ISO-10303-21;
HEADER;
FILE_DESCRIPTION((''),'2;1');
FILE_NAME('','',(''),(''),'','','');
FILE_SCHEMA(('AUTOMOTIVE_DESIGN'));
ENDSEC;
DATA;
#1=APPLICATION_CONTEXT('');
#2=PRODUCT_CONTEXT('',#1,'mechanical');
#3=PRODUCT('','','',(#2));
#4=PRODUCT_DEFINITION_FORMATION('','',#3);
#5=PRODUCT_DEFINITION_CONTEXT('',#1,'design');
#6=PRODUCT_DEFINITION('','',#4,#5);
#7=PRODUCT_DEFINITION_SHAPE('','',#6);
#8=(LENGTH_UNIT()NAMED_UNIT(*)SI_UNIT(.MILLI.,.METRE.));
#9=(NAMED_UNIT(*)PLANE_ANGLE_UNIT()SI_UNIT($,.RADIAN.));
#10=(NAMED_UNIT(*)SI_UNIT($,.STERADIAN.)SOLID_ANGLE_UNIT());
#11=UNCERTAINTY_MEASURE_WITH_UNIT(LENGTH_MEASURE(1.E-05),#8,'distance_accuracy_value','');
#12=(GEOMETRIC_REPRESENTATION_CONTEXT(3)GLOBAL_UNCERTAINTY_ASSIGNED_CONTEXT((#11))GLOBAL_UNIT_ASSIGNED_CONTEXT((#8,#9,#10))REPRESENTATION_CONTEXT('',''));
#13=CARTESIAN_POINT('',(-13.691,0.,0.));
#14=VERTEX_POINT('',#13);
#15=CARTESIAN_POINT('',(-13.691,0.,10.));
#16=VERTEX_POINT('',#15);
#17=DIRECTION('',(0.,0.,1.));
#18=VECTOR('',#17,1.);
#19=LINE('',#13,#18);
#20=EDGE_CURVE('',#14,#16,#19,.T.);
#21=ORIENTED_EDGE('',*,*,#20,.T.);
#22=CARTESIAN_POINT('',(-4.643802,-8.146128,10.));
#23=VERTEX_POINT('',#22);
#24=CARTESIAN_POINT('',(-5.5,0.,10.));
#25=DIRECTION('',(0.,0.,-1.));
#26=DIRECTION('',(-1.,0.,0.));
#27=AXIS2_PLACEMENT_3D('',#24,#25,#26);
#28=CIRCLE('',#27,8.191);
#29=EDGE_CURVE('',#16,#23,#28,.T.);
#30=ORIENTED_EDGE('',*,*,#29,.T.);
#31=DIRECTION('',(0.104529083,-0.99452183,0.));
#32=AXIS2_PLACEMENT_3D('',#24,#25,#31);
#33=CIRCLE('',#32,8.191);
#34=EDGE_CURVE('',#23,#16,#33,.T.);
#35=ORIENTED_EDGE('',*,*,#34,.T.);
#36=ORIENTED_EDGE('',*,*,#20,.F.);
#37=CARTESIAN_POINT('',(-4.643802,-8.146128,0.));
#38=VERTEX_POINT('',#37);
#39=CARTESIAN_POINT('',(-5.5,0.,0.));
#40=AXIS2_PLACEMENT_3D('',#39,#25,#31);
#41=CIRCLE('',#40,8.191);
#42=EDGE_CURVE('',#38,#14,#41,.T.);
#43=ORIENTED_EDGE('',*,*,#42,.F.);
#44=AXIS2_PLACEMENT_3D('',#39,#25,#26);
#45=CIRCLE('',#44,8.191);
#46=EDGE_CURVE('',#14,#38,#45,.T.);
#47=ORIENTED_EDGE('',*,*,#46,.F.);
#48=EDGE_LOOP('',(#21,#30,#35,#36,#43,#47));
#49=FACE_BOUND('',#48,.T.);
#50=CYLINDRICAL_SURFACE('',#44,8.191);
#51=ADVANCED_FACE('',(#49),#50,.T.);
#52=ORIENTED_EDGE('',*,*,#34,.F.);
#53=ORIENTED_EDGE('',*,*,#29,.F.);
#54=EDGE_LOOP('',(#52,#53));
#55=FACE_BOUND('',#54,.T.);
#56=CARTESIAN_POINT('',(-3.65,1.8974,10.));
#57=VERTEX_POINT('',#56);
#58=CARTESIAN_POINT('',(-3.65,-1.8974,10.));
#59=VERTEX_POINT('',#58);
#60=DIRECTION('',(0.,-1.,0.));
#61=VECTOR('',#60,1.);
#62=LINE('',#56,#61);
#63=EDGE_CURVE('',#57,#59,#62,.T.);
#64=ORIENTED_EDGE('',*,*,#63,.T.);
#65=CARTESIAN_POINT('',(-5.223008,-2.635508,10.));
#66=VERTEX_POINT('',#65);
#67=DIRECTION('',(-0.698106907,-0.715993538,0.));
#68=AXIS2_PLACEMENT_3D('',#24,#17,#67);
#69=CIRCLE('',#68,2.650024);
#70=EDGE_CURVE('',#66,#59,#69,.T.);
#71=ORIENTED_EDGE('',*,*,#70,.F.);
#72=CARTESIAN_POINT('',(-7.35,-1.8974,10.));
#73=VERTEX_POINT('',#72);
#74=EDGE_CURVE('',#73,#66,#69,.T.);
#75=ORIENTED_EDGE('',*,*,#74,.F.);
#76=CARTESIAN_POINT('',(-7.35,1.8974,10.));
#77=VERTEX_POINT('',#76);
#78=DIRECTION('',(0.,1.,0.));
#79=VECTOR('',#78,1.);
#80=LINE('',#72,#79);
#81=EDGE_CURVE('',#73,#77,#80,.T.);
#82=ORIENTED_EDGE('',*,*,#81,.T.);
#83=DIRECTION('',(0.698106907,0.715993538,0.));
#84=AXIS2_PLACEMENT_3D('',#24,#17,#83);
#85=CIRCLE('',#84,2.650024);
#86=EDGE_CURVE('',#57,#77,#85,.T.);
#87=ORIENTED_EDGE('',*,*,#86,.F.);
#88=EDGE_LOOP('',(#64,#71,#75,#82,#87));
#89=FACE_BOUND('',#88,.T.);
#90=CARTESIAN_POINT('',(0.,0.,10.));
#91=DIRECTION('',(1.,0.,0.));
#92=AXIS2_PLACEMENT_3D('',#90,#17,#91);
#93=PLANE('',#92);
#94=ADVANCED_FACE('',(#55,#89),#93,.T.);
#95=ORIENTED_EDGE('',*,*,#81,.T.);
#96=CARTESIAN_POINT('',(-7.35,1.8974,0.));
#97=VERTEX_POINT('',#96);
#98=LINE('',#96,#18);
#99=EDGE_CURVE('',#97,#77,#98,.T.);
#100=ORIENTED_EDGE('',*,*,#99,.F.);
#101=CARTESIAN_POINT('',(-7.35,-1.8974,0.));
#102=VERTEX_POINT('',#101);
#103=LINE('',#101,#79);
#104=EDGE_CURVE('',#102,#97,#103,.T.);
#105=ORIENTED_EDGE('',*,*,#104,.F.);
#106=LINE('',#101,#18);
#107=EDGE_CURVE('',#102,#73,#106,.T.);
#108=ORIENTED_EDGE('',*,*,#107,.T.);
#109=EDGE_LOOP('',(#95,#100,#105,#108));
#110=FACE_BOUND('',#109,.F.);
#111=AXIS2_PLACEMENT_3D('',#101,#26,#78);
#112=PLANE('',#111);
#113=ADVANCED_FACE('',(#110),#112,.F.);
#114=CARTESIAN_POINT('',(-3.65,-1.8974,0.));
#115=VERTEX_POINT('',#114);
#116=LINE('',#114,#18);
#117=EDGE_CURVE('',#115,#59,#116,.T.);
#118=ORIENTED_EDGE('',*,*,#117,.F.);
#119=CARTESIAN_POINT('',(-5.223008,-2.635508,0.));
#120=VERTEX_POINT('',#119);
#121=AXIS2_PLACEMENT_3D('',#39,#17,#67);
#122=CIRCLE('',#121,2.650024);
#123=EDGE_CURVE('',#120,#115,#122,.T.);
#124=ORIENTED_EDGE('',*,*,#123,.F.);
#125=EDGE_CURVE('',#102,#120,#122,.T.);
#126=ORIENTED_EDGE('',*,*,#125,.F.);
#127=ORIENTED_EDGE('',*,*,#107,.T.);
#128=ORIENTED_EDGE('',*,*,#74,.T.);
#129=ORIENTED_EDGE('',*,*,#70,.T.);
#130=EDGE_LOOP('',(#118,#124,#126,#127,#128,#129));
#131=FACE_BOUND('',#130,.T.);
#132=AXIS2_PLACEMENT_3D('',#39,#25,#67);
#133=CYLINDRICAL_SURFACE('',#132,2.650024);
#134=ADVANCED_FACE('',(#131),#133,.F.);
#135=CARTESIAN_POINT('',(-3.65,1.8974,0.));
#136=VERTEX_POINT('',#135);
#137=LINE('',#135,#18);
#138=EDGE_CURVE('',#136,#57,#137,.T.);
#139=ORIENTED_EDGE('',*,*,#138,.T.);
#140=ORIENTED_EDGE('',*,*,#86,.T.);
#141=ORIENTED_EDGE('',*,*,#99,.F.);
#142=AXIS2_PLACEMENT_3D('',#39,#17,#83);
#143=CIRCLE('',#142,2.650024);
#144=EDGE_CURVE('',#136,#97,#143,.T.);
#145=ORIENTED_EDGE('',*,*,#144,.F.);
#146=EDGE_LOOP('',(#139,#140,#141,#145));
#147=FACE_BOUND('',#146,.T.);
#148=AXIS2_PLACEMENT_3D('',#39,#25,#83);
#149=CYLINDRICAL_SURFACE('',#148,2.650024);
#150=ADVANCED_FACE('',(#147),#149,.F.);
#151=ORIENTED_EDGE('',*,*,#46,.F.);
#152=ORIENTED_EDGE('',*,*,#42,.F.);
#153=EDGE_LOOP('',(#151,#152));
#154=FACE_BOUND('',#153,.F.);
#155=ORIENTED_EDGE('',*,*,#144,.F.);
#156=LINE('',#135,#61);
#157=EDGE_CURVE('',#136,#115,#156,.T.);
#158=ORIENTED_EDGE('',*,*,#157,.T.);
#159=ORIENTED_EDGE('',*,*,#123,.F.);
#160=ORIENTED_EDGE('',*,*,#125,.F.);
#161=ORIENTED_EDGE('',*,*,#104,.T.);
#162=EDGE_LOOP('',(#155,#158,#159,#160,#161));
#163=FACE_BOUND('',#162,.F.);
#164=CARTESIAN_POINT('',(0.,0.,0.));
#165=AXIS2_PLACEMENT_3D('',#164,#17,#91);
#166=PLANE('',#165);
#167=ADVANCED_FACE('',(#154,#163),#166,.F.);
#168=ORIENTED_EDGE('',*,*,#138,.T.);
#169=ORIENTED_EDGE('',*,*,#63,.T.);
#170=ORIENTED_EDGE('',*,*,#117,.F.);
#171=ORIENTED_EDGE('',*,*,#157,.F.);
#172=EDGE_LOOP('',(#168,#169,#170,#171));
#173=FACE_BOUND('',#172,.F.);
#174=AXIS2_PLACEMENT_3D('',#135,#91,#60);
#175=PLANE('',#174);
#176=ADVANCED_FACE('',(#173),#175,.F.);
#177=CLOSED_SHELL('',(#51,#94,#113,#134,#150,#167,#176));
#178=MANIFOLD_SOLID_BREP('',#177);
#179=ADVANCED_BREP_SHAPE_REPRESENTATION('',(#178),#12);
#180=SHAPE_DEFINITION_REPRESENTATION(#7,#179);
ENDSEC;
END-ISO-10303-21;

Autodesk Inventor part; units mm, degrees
ref_plane "YZ Plane" through (0, 0, 0) normal (1, 0, 0) x (0, 1, 0)
ref_plane "XZ Plane" through (0, 0, 0) normal (0, 1, 0) x (-1, 0, 0)
ref_plane "XY Plane" through (0, 0, 0) normal (0, 0, 1) x (1, 0, 0)
sketch "Sketch1" plane through (0, 0, 0) normal (0, 0, 1) x (1, 0, 0)
  line L0 (0.2752, -3.536) -> (0.7321, -4.3005) projected
  arc A0 (0.5159, -4.5981) -> (0.7321, -4.3005) centre (0.5604, -4.4031) ccw projected
  line L1 (0.5159, -4.5981) -> (-0.3524, -4.3999) projected
  arc A1 (-0.3524, -4.3999) -> (-0.5862, -4.6595) centre (-0.3969, -4.5949) ccw projected
  line L2 (-0.5862, -4.6595) -> (-0.2983, -5.5023) projected
  arc A2 (-0.5716, -5.7484) -> (-0.2983, -5.5023) centre (-0.4875, -5.5669) ccw projected
  line L3 (-0.5716, -5.7484) -> (-1.3796, -5.374) projected
  arc A3 (-1.3796, -5.374) -> (-1.6623, -5.5793) centre (-1.4637, -5.5554) ccw projected
  line L4 (-1.6623, -5.5793) -> (-1.5559, -6.4635) projected
  arc A4 (-1.8745, -6.6475) -> (-1.5559, -6.4635) centre (-1.7545, -6.4874) ccw projected
  line L5 (-1.8745, -6.6475) -> (-2.587, -6.1132) projected
  arc A5 (-2.587, -6.1132) -> (-2.9062, -6.2553) centre (-2.707, -6.2732) ccw projected
  line L6 (-2.9062, -6.2553) -> (-2.9859, -7.1423) projected
  arc A6 (-3.3358, -7.256) -> (-2.9859, -7.1423) centre (-3.1851, -7.1244) ccw projected
  line L7 (-3.3358, -7.256) -> (-3.9217, -6.5853) projected
  arc A7 (-3.9217, -6.5853) -> (-4.2634, -6.6579) centre (-4.0723, -6.7169) ccw projected
  line L8 (-4.2634, -6.6579) -> (-4.5259, -7.5089) projected
  arc A8 (-4.8917, -7.5474) -> (-4.5259, -7.5089) centre (-4.717, -7.45) ccw projected
  line L9 (-4.8917, -7.5474) -> (-5.3253, -6.7695) projected
  arc A9 (-5.3253, -6.7695) -> (-5.6747, -6.7695) centre (-5.5, -6.8669) ccw projected
  line L10 (-5.6747, -6.7695) -> (-6.1083, -7.5474) projected
  arc A10 (-6.4741, -7.5089) -> (-6.1083, -7.5474) centre (-6.283, -7.45) ccw projected
  line L11 (-6.4741, -7.5089) -> (-6.7366, -6.6579) projected
  arc A11 (-6.7366, -6.6579) -> (-7.0783, -6.5853) centre (-6.9277, -6.7169) ccw projected
  line L12 (-7.0783, -6.5853) -> (-7.6642, -7.256) projected
  arc A12 (-8.0141, -7.1423) -> (-7.6642, -7.256) centre (-7.8149, -7.1244) ccw projected
  line L13 (-8.0141, -7.1423) -> (-8.0938, -6.2553) projected
  arc A13 (-8.0938, -6.2553) -> (-8.413, -6.1132) centre (-8.293, -6.2732) ccw projected
  line L14 (-8.413, -6.1132) -> (-9.1255, -6.6475) projected
  arc A14 (-9.4441, -6.4635) -> (-9.1255, -6.6475) centre (-9.2455, -6.4874) ccw projected
  line L15 (-9.4441, -6.4635) -> (-9.3377, -5.5793) projected
  arc A15 (-9.3377, -5.5793) -> (-9.6204, -5.374) centre (-9.5363, -5.5554) ccw projected
  line L16 (-9.6204, -5.374) -> (-10.4284, -5.7484) projected
  arc A16 (-10.7017, -5.5023) -> (-10.4284, -5.7484) centre (-10.5125, -5.5669) ccw projected
  line L17 (-10.7017, -5.5023) -> (-10.4138, -4.6595) projected
  arc A17 (-10.4138, -4.6595) -> (-10.6476, -4.3999) centre (-10.6031, -4.5949) ccw projected
  line L18 (-10.6476, -4.3999) -> (-11.5159, -4.5981) projected
  arc A18 (-11.7321, -4.3005) -> (-11.5159, -4.5981) centre (-11.5604, -4.4031) ccw projected
  line L19 (-11.7321, -4.3005) -> (-11.2752, -3.536) projected
  arc A19 (-11.2752, -3.536) -> (-11.4499, -3.2335) centre (-11.4469, -3.4335) ccw projected
  line L20 (-11.4499, -3.2335) -> (-12.3404, -3.2469) projected
  arc A20 (-12.49, -2.9108) -> (-12.3404, -3.2469) centre (-12.3434, -3.0469) ccw projected
  line L21 (-12.49, -2.9108) -> (-11.8842, -2.258) projected
  arc A21 (-11.8842, -2.258) -> (-11.9922, -1.9258) centre (-12.0308, -2.122) ccw projected
  line L22 (-11.9922, -1.9258) -> (-12.866, -1.7537) projected
  arc A22 (-12.9425, -1.3939) -> (-12.866, -1.7537) centre (-12.8273, -1.5575) ccw projected
  line L23 (-12.9425, -1.3939) -> (-12.2142, -0.8813) projected
  arc A23 (-12.2142, -0.8813) -> (-12.2507, -0.5339) centre (-12.3293, -0.7178) ccw projected
  line L24 (-12.2507, -0.5339) -> (-13.0696, -0.1839) projected
  arc A24 (-13.0696, 0.1839) -> (-13.0696, -0.1839) centre (-12.991, 0) ccw projected
  line L25 (-13.0696, 0.1839) -> (-12.2507, 0.5339) projected
  arc A25 (-12.2507, 0.5339) -> (-12.2142, 0.8813) centre (-12.3293, 0.7178) ccw projected
  line L26 (-12.2142, 0.8813) -> (-12.9425, 1.3939) projected
  arc A26 (-12.866, 1.7537) -> (-12.9425, 1.3939) centre (-12.8273, 1.5575) ccw projected
  line L27 (-12.866, 1.7537) -> (-11.9922, 1.9258) projected
  arc A27 (-11.9922, 1.9258) -> (-11.8842, 2.258) centre (-12.0308, 2.122) ccw projected
  line L28 (-11.8842, 2.258) -> (-12.49, 2.9108) projected
  arc A28 (-12.3404, 3.2469) -> (-12.49, 2.9108) centre (-12.3434, 3.0469) ccw projected
  line L29 (-12.3404, 3.2469) -> (-11.4499, 3.2335) projected
  arc A29 (-11.4499, 3.2335) -> (-11.2752, 3.536) centre (-11.4469, 3.4335) ccw projected
  line L30 (-11.2752, 3.536) -> (-11.7321, 4.3005) projected
  arc A30 (-11.5159, 4.5981) -> (-11.7321, 4.3005) centre (-11.5604, 4.4031) ccw projected
  line L31 (-11.5159, 4.5981) -> (-10.6476, 4.3999) projected
  arc A31 (-10.6476, 4.3999) -> (-10.4138, 4.6595) centre (-10.6031, 4.5949) ccw projected
  line L32 (-10.4138, 4.6595) -> (-10.7017, 5.5023) projected
  arc A32 (-10.4284, 5.7484) -> (-10.7017, 5.5023) centre (-10.5125, 5.5669) ccw projected
  line L33 (-10.4284, 5.7484) -> (-9.6204, 5.374) projected
  arc A33 (-9.6204, 5.374) -> (-9.3377, 5.5793) centre (-9.5363, 5.5554) ccw projected
  line L34 (-9.3377, 5.5793) -> (-9.4441, 6.4635) projected
  arc A34 (-9.1255, 6.6475) -> (-9.4441, 6.4635) centre (-9.2455, 6.4874) ccw projected
  line L35 (-9.1255, 6.6475) -> (-8.413, 6.1132) projected
  arc A35 (-8.413, 6.1132) -> (-8.0938, 6.2553) centre (-8.293, 6.2732) ccw projected
  line L36 (-8.0938, 6.2553) -> (-8.0141, 7.1423) projected
  arc A36 (-7.6642, 7.256) -> (-8.0141, 7.1423) centre (-7.8149, 7.1244) ccw projected
  line L37 (-7.6642, 7.256) -> (-7.0783, 6.5853) projected
  arc A37 (-7.0783, 6.5853) -> (-6.7366, 6.6579) centre (-6.9277, 6.7169) ccw projected
  line L38 (-6.7366, 6.6579) -> (-6.4741, 7.5089) projected
  arc A38 (-6.1083, 7.5474) -> (-6.4741, 7.5089) centre (-6.283, 7.45) ccw projected
  line L39 (-6.1083, 7.5474) -> (-5.6747, 6.7695) projected
  arc A39 (-5.6747, 6.7695) -> (-5.3253, 6.7695) centre (-5.5, 6.8669) ccw projected
  line L40 (-5.3253, 6.7695) -> (-4.8917, 7.5474) projected
  arc A40 (-4.5259, 7.5089) -> (-4.8917, 7.5474) centre (-4.717, 7.45) ccw projected
  line L41 (-4.5259, 7.5089) -> (-4.2634, 6.6579) projected
  arc A41 (-4.2634, 6.6579) -> (-3.9217, 6.5853) centre (-4.0723, 6.7169) ccw projected
  line L42 (-3.9217, 6.5853) -> (-3.3358, 7.256) projected
  arc A42 (-2.9859, 7.1423) -> (-3.3358, 7.256) centre (-3.1851, 7.1244) ccw projected
  line L43 (-2.9859, 7.1423) -> (-2.9062, 6.2553) projected
  arc A43 (-2.9062, 6.2553) -> (-2.587, 6.1132) centre (-2.707, 6.2732) ccw projected
  line L44 (-2.587, 6.1132) -> (-1.8745, 6.6475) projected
  arc A44 (-1.5559, 6.4635) -> (-1.8745, 6.6475) centre (-1.7545, 6.4874) ccw projected
  line L45 (-1.5559, 6.4635) -> (-1.6623, 5.5793) projected
  arc A45 (-1.6623, 5.5793) -> (-1.3796, 5.374) centre (-1.4637, 5.5554) ccw projected
  line L46 (-1.3796, 5.374) -> (-0.5716, 5.7484) projected
  arc A46 (-0.2983, 5.5023) -> (-0.5716, 5.7484) centre (-0.4875, 5.5669) ccw projected
  line L47 (-0.2983, 5.5023) -> (-0.5862, 4.6595) projected
  arc A47 (-0.5862, 4.6595) -> (-0.3524, 4.3999) centre (-0.3969, 4.5949) ccw projected
  line L48 (-0.3524, 4.3999) -> (0.5159, 4.5981) projected
  arc A48 (0.7321, 4.3005) -> (0.5159, 4.5981) centre (0.5604, 4.4031) ccw projected
  line L49 (0.7321, 4.3005) -> (0.2752, 3.536) projected
  arc A49 (0.2752, 3.536) -> (0.4499, 3.2335) centre (0.4469, 3.4335) ccw projected
  line L50 (0.4499, 3.2335) -> (1.3404, 3.2469) projected
  arc A50 (1.49, 2.9108) -> (1.3404, 3.2469) centre (1.3434, 3.0469) ccw projected
  line L51 (1.49, 2.9108) -> (0.8842, 2.258) projected
  arc A51 (0.8842, 2.258) -> (0.9922, 1.9258) centre (1.0308, 2.122) ccw projected
  line L52 (0.9922, 1.9258) -> (1.866, 1.7537) projected
  arc A52 (1.9425, 1.3939) -> (1.866, 1.7537) centre (1.8273, 1.5575) ccw projected
  line L53 (1.9425, 1.3939) -> (1.2142, 0.8813) projected
  arc A53 (1.2142, 0.8813) -> (1.2507, 0.5339) centre (1.3293, 0.7178) ccw projected
  line L54 (1.2507, 0.5339) -> (2.0696, 0.1839) projected
  arc A54 (2.0696, -0.1839) -> (2.0696, 0.1839) centre (1.991, 0) ccw projected
  line L55 (2.0696, -0.1839) -> (1.2507, -0.5339) projected
  arc A55 (1.2507, -0.5339) -> (1.2142, -0.8813) centre (1.3293, -0.7178) ccw projected
  line L56 (1.2142, -0.8813) -> (1.9425, -1.3939) projected
  arc A56 (1.866, -1.7537) -> (1.9425, -1.3939) centre (1.8273, -1.5575) ccw projected
  line L57 (1.866, -1.7537) -> (0.9922, -1.9258) projected
  arc A57 (0.9922, -1.9258) -> (0.8842, -2.258) centre (1.0308, -2.122) ccw projected
  line L58 (0.8842, -2.258) -> (1.49, -2.9108) projected
  arc A58 (1.3404, -3.2469) -> (1.49, -2.9108) centre (1.3434, -3.0469) ccw projected
  line L59 (1.3404, -3.2469) -> (0.4499, -3.2335) projected
  arc A59 (0.4499, -3.2335) -> (0.2752, -3.536) centre (0.4469, -3.4335) ccw projected
  circle A60 centre (-5.5, 0) radius 5.5 projected
  circle A61 centre (-5.5, 0) radius 5.5 projected
  circle A62 centre (-5.5, 0) radius 3.15 projected
  line L60 (-5.5, 0) -> (-4.6961, -7.6489)
  line L61 (-4.6961, -7.6489) -> (-4.5915, -8.6434)
  circle A63 centre (-5.5, 0) radius 8.691
  line L62 (-7.35, -1.8974) -> (-7.35, 1.8974) projected
  arc A64 (-7.35, -1.8974) -> (-3.65, -1.8974) centre (-5.5, 0) ccw projected
  line L63 (-3.65, 1.8974) -> (-3.65, -1.8974) projected
  arc A65 (-3.65, 1.8974) -> (-7.35, 1.8974) centre (-5.5, 0) ccw projected
  circle A66 centre (-5.5, 0) radius 1 projected
  point P0 (0, 0)
  dimension "d0" = 1
extrude "Extrusion1" add sketch "Sketch1" along normal blind 10 contours A63 | A62 | A60 | L0 A0 L1 A1 L2 A2 L3 A3 L4 A4 L5 A5 L6 A6 L7 A7 L8 A8 L9 A9 L10 A10 L11 A11 L12 A12 L13 A13 L14 A14 L15 A15 L16 A16 L17 A17 L18 A18 L19 A19 L20 A20 L21 A21 L22 A22 L23 A23 L24 A24 L25 A25 L26 A26 L27 A27 L28 A28 L29 A29 L30 A30 L31 A31 L32 A32 L33 A33 L34 A34 L35 A35 L36 A36 L37 A37 L38 A38 L39 A39 L40 A40 L41 A41 L42 A42 L43 A43 L44 A44 L45 A45 L46 A46 L47 A47 L48 A48 L49 A49 L50 A50 L51 A51 L52 A52 L53 A53 L54 A54 L55 A55 L56 A56 L57 A57 L58 A58 L59 A59
sketch "Sketch2" plane through (-5.5, 0, 0) normal (0, 0, -1) x (-1, 0, 0)
  circle A0 centre (0, 0) radius 8.691 projected
  arc A1 (-1.85, -1.8974) -> (1.85, -1.8974) centre (0, 0) ccw projected
  line L0 (-1.85, 1.8974) -> (-1.85, -1.8974) projected
  arc A2 (1.85, 1.8974) -> (-1.85, 1.8974) centre (0, 0) ccw projected
  line L1 (1.85, -1.8974) -> (1.85, 1.8974) projected
  circle A3 centre (0, 0) radius 8.691 projected
  line L2 (0, -8.691) -> (0, -8.191)
  circle A4 centre (0, 0) radius 8.191
  point P0 (-5.5, 0)
  dimension "d3" = 0.5
extrude "Extrusion2" cut sketch "Sketch2" against normal through all contours A0
properties part number "kokoko"
